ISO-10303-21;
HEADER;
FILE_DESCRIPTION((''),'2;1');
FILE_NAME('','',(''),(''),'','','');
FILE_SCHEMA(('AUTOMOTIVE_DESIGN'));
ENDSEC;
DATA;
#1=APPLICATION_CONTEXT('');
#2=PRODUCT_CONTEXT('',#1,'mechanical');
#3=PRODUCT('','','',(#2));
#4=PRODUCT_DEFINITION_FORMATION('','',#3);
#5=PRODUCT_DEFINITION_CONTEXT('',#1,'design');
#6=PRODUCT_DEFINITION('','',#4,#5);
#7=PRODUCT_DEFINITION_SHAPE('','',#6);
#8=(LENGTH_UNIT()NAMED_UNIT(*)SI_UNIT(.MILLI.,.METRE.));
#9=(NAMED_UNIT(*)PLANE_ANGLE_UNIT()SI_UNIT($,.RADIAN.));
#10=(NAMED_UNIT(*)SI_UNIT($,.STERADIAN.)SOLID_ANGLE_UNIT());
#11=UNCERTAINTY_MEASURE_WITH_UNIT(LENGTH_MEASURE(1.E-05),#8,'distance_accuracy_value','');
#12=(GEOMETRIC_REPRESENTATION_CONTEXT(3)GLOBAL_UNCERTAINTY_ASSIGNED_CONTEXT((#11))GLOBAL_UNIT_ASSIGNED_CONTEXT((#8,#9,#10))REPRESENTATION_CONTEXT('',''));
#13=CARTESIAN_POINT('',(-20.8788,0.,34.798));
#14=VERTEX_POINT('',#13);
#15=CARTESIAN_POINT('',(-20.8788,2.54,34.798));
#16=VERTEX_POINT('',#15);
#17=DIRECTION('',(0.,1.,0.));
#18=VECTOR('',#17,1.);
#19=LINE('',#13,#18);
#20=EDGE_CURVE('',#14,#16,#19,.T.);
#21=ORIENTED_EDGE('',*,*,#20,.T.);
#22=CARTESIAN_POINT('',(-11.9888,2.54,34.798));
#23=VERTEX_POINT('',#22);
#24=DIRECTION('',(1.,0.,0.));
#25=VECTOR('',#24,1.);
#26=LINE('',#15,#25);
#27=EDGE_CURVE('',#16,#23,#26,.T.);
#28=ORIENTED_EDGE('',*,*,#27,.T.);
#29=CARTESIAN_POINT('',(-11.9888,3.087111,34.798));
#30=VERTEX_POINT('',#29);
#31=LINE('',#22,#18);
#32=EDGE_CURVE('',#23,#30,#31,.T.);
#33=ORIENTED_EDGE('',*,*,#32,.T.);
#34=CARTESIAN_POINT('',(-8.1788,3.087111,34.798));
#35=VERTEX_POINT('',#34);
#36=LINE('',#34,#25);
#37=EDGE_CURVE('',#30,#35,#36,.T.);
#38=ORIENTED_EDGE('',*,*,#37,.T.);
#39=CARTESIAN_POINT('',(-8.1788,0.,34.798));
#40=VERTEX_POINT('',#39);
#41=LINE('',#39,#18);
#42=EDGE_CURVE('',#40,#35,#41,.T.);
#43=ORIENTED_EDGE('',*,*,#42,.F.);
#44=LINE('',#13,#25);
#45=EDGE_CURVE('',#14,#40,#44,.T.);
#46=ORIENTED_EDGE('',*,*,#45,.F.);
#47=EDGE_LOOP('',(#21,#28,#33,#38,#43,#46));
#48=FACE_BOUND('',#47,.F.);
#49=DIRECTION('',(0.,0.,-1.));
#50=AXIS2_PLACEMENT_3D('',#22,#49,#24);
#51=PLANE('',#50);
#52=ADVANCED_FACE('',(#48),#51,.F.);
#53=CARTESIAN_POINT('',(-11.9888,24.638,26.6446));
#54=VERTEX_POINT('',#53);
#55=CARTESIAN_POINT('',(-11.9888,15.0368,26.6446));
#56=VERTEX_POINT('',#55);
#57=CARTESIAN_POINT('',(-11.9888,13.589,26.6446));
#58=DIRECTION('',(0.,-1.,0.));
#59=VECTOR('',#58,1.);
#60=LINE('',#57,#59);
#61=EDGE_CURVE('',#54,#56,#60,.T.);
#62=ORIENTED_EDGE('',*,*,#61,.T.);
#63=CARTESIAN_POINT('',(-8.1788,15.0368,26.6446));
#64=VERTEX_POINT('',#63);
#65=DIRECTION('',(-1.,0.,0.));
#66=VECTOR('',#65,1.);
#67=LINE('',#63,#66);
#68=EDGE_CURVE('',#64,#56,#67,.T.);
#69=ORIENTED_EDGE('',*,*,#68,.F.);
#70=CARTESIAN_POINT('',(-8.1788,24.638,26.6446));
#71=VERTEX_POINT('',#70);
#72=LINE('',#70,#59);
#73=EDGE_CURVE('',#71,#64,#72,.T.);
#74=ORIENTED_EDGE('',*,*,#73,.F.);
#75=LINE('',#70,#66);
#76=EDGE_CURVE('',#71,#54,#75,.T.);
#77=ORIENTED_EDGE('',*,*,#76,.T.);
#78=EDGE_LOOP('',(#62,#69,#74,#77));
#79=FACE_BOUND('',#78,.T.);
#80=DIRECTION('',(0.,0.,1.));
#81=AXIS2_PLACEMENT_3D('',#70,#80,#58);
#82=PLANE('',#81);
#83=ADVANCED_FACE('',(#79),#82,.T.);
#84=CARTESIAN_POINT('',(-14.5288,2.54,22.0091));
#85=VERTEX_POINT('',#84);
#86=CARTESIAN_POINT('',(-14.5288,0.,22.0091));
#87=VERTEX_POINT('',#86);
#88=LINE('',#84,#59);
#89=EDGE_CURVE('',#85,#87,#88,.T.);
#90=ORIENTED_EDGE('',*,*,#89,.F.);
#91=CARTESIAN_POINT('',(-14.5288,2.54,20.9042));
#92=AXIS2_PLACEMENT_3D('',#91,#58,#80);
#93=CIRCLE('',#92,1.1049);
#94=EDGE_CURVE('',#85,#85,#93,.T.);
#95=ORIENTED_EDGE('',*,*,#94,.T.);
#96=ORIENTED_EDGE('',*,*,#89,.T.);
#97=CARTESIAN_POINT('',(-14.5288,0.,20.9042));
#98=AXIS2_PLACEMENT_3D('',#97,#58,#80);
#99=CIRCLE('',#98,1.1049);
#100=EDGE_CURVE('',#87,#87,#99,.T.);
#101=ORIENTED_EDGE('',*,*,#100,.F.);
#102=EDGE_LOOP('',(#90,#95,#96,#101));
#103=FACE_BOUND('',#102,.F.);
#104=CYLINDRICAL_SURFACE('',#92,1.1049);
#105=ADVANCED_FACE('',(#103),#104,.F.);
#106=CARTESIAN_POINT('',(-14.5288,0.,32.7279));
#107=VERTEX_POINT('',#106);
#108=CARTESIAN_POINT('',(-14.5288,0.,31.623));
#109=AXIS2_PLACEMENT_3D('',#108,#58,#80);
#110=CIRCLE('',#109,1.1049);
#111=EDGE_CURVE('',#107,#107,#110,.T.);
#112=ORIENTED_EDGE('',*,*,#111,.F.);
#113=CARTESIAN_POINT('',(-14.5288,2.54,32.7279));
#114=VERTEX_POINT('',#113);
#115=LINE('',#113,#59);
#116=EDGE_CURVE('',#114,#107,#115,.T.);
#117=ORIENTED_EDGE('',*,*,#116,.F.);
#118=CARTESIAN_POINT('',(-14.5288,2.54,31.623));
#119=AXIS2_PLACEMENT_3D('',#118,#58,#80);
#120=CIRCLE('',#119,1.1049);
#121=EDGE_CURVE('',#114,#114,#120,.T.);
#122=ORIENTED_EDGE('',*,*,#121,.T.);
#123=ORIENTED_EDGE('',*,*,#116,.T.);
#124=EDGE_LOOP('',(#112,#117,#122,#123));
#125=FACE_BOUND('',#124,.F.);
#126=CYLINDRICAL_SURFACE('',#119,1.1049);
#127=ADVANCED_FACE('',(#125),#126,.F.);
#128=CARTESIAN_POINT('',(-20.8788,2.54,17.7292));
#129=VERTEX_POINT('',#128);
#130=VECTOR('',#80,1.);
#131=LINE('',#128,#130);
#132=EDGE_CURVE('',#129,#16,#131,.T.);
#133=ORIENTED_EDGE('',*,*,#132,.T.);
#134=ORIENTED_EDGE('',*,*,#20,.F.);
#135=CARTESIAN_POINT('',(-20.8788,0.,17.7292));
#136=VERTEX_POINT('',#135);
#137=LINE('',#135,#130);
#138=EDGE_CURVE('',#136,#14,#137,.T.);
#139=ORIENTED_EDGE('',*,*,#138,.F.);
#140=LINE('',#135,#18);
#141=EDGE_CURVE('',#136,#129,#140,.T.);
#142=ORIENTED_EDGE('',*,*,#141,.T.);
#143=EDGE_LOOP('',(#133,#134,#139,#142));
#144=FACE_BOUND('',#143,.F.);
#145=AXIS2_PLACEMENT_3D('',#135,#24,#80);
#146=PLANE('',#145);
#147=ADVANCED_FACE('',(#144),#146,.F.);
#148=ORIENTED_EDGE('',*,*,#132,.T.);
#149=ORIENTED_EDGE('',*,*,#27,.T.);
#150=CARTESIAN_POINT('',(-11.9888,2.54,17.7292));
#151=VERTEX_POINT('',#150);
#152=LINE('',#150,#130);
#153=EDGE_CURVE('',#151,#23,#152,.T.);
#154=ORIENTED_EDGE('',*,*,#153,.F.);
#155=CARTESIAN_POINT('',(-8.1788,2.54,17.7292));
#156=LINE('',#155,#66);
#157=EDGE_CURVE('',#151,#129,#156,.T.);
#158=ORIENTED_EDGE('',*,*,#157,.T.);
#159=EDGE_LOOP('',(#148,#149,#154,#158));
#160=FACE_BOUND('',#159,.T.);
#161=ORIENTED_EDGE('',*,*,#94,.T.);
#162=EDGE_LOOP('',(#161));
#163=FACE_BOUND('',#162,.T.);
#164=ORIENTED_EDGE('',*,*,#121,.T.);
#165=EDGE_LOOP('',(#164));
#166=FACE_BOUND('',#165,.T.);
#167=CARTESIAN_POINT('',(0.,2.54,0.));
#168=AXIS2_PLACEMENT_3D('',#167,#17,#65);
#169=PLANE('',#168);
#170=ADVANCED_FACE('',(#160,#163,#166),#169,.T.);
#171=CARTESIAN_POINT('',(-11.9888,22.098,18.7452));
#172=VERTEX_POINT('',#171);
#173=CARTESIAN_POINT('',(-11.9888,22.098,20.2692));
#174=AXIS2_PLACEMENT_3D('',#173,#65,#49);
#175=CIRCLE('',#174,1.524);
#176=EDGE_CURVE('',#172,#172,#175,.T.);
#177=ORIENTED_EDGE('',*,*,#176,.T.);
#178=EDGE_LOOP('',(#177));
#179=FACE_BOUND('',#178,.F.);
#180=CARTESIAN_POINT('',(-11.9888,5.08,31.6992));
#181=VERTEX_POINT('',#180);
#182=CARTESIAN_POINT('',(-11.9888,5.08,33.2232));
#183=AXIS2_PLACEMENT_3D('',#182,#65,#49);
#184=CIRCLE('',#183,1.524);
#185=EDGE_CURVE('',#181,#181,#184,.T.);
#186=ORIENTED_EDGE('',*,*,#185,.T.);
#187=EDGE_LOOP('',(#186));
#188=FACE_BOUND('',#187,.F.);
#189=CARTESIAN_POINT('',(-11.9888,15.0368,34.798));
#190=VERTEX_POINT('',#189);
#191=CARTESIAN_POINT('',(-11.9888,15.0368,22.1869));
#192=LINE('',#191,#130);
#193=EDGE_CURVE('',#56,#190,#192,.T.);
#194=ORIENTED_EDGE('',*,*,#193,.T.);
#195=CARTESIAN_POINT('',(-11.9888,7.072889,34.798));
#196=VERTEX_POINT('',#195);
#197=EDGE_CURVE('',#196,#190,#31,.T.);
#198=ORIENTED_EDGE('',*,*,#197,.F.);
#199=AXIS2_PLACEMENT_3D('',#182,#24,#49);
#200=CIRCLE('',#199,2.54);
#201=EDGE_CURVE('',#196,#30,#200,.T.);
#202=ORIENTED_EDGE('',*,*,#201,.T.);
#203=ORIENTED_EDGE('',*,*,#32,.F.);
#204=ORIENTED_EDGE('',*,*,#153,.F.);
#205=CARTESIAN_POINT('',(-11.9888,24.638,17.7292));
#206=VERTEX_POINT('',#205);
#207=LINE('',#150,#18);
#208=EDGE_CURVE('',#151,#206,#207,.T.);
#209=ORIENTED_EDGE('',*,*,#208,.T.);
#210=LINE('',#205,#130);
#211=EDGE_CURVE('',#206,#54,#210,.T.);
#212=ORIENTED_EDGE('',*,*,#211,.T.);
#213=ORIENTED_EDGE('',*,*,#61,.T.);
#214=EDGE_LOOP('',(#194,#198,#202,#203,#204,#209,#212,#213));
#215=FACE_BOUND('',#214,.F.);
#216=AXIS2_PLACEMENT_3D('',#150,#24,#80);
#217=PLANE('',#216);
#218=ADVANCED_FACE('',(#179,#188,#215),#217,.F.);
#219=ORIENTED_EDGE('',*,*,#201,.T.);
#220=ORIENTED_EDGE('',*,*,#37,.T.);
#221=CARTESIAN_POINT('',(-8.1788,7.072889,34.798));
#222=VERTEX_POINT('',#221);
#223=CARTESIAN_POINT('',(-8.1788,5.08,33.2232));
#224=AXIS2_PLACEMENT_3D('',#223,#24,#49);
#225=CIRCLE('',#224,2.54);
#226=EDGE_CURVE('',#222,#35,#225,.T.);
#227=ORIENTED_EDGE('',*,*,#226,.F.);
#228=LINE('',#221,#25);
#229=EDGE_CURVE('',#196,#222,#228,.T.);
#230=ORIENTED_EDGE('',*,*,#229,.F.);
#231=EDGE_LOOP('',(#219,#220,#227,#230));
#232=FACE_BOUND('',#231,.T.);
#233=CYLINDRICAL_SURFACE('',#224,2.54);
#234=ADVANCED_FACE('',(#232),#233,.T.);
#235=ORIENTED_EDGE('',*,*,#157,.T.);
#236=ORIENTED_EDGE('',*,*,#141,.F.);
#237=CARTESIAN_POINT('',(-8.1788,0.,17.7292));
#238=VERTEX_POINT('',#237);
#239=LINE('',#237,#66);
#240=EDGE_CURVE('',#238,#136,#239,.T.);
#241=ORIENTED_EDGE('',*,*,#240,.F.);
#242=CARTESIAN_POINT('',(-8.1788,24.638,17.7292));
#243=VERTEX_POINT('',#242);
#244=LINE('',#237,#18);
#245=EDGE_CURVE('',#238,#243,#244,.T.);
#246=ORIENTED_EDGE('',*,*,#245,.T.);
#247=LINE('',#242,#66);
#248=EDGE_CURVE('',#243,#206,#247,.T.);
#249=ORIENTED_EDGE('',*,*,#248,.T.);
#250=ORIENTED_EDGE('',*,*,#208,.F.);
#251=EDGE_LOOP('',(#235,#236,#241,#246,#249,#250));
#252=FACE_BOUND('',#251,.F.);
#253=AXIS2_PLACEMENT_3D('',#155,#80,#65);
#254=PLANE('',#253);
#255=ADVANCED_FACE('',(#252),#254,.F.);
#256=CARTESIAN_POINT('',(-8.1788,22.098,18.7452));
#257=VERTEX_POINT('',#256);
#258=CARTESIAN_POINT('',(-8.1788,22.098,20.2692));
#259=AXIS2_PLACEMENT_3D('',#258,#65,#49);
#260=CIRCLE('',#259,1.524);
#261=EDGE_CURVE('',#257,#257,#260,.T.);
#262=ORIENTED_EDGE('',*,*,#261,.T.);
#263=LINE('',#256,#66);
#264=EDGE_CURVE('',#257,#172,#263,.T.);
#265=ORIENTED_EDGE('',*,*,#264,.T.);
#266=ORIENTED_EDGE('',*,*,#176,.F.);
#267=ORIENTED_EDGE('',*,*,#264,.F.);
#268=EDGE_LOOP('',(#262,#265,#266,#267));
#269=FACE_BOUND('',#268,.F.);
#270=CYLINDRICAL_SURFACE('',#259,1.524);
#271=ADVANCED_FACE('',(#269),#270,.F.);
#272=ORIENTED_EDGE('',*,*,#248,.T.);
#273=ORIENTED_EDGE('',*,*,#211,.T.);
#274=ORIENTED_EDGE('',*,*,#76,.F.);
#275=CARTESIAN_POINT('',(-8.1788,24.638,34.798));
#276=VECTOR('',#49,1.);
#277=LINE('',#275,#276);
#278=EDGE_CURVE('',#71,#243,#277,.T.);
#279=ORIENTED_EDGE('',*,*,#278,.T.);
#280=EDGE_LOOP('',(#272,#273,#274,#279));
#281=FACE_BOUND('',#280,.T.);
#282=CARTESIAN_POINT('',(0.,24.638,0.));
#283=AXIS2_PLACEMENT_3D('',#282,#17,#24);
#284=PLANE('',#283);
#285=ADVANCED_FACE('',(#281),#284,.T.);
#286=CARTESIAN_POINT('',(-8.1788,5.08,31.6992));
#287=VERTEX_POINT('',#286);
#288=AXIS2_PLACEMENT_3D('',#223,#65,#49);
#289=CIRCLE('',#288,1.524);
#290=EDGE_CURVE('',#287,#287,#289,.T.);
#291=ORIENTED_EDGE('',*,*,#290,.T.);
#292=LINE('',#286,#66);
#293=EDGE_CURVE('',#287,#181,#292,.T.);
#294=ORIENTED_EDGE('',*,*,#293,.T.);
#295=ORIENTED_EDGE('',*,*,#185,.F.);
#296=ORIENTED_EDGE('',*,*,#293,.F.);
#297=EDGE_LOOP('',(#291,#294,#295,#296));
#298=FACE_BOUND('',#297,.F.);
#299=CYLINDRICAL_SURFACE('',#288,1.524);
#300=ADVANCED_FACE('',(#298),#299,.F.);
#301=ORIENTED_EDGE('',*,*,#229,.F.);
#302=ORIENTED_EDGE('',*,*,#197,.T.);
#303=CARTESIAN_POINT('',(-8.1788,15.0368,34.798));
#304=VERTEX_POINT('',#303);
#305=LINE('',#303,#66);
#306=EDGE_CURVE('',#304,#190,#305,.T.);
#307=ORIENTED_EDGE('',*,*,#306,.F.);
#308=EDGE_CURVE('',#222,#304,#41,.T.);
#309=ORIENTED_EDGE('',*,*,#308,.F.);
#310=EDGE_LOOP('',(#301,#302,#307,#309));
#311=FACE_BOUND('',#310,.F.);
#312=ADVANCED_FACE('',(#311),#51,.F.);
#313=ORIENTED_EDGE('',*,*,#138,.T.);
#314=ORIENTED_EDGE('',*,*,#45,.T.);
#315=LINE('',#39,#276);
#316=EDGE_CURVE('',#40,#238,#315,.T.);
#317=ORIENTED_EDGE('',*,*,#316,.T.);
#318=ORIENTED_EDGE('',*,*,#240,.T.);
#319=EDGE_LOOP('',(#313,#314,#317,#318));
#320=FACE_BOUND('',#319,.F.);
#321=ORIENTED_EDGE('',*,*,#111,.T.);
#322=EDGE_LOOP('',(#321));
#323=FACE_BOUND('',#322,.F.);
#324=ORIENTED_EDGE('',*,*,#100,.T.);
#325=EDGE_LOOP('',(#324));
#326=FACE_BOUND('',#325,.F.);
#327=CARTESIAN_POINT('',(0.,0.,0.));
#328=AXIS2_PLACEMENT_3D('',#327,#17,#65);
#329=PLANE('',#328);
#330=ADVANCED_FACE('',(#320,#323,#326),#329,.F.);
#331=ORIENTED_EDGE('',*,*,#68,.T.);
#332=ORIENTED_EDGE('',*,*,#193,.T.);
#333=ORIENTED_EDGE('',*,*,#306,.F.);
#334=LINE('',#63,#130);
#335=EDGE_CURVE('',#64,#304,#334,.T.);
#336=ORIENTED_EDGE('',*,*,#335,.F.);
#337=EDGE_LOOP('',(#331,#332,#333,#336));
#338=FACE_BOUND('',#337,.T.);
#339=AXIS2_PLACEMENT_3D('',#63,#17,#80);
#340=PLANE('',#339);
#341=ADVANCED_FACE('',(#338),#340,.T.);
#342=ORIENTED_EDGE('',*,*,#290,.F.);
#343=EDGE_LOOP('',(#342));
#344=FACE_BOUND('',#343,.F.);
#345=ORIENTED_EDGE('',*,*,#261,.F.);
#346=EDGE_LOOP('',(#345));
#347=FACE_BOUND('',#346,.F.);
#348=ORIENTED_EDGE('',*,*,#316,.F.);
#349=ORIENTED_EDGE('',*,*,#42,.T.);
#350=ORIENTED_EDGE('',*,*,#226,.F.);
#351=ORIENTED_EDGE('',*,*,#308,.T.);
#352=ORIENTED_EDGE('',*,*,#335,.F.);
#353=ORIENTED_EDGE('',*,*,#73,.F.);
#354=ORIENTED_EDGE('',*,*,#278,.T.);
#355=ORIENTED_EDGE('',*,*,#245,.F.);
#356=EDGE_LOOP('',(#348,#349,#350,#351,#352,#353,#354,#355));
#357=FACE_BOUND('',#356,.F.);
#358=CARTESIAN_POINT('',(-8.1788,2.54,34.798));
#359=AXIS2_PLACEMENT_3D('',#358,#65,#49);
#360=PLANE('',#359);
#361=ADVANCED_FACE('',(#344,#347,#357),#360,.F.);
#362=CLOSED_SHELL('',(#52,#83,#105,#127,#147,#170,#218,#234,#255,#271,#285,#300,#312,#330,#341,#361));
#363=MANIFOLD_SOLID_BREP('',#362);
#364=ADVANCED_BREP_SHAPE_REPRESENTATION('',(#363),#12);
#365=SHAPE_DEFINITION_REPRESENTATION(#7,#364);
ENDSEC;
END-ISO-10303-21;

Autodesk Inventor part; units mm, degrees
ref_plane "YZ Plane" through (0, 0, 0) normal (1, 0, 0) x (0, 1, 0)
ref_plane "XZ Plane" through (0, 0, 0) normal (0, 1, 0) x (-1, 0, 0)
ref_plane "XY Plane" through (0, 0, 0) normal (0, 0, 1) x (1, 0, 0)
sketch "Sketch1" plane through (0, 0, 0) normal (0, 1, 0) x (-1, 0, 0)
  line L0 (20.8788, 34.798) -> (8.1788, 34.798)
  line L1 (8.1788, 34.798) -> (8.1788, 17.7292)
  line L2 (8.1788, 17.7292) -> (20.8788, 17.7292)
  line L3 (20.8788, 17.7292) -> (20.8788, 34.798)
  point P0 (0, 0)
  dimension "d0" = 17.0688
  dimension "d1" = 12.7
extrude "Extrusion1" add sketch "Sketch1" along normal blind 2.54
sketch "Sketch2" plane through (0, 2.54, 0) normal (0, 1, 0) x (1, 0, 0)
  line L0 (-8.1788, -17.7292) -> (-20.8788, -17.7292) projected
  line L1 (-20.8788, -34.798) -> (-8.1788, -34.798) projected
  line L2 (-20.8788, -17.7292) -> (-20.8788, -34.798) projected
  point P0 (0, 0)
  point P1 (-14.5288, -31.623)
  point P2 (-14.5288, -20.9042)
  dimension "d5" = 3.175
  dimension "d6" = 3.175
  dimension "d14" = 6.35
  dimension "d15" = 6.35
hole "Hole1" at (-14.5288, 2.54, 31.623) at (-14.5288, 2.54, 20.9042) direction (0, -1, 0) diameter 2.2098 end through all
sketch "Sketch4" plane through (0, 2.54, 0) normal (0, 1, 0) x (1, 0, 0)
  line L0 (-8.1788, -34.798) -> (-8.1788, -17.7292) projected
  line L1 (-20.8788, -34.798) -> (-8.1788, -34.798) projected
  line L2 (-8.1788, -17.7292) -> (-11.9888, -17.7292)
  line L3 (-11.9888, -17.7292) -> (-11.9888, -34.798)
  line L4 (-11.9888, -34.798) -> (-8.1788, -34.798)
  line L5 (-8.1788, -34.798) -> (-8.1788, -17.7292)
  point P0 (0, 0)
  dimension "d16" = 3.81
extrude "Extrusion2" add sketch "Sketch4" along normal blind 22.098
sketch "Sketch5" plane through (-8.1788, 0, 34.798) normal (1, 0, 0) x (0, 0, -1)
  line L0 (0, 24.638) -> (17.0688, 24.638) projected
  line L1 (0, 0) -> (0, 24.638) projected
  line L2 (17.0688, 0) -> (17.0688, 24.638) projected
  point P0 (34.798, 0)
  point P1 (1.5748, 5.08)
  point P2 (14.5288, 22.098)
  dimension "d26" = 2.54
  dimension "d27" = 2.54
  dimension "d29" = 17.018
  dimension "d31" = 15.494
hole "Hole2" at (-8.1788, 5.08, 33.2232) at (-8.1788, 22.098, 20.2692) direction (-1, 0, 0) diameter 3.048 end through all
sketch "Sketch6" plane through (-8.1788, 0, 34.798) normal (1, 0, 0) x (0, 0, -1)
  circle A0 centre (1.5748, 5.08) radius 2.54
  circle A1 centre (1.5748, 5.08) radius 1.524 projected
  point P0 (34.798, 0)
  dimension "d51" = 5.08
extrude "Extrusion3" add sketch "Sketch6" against normal up to surface (3.81 mm away)
sketch "Sketch7" plane through (-8.1788, 0, 34.798) normal (1, 0, 0) x (0, 0, -1)
  line L0 (0, 24.638) -> (17.0688, 24.638) projected
  line L1 (0, 24.638) -> (8.1534, 24.638)
  line L2 (8.1534, 24.638) -> (8.1534, 15.0368)
  line L3 (8.1534, 15.0368) -> (0, 15.0368)
  line L4 (0, 15.0368) -> (0, 24.638)
  line L5 (17.0688, 0) -> (17.0688, 24.638) projected
  line L6 (0, 7.0729) -> (0, 24.638) projected
  dimension "d44" = 9.6012
  dimension "d46" = 8.9154
extrude "Extrusion4" cut sketch "Sketch7" against normal blind 22.098
properties part number "Ultrasonic MoUnt"
